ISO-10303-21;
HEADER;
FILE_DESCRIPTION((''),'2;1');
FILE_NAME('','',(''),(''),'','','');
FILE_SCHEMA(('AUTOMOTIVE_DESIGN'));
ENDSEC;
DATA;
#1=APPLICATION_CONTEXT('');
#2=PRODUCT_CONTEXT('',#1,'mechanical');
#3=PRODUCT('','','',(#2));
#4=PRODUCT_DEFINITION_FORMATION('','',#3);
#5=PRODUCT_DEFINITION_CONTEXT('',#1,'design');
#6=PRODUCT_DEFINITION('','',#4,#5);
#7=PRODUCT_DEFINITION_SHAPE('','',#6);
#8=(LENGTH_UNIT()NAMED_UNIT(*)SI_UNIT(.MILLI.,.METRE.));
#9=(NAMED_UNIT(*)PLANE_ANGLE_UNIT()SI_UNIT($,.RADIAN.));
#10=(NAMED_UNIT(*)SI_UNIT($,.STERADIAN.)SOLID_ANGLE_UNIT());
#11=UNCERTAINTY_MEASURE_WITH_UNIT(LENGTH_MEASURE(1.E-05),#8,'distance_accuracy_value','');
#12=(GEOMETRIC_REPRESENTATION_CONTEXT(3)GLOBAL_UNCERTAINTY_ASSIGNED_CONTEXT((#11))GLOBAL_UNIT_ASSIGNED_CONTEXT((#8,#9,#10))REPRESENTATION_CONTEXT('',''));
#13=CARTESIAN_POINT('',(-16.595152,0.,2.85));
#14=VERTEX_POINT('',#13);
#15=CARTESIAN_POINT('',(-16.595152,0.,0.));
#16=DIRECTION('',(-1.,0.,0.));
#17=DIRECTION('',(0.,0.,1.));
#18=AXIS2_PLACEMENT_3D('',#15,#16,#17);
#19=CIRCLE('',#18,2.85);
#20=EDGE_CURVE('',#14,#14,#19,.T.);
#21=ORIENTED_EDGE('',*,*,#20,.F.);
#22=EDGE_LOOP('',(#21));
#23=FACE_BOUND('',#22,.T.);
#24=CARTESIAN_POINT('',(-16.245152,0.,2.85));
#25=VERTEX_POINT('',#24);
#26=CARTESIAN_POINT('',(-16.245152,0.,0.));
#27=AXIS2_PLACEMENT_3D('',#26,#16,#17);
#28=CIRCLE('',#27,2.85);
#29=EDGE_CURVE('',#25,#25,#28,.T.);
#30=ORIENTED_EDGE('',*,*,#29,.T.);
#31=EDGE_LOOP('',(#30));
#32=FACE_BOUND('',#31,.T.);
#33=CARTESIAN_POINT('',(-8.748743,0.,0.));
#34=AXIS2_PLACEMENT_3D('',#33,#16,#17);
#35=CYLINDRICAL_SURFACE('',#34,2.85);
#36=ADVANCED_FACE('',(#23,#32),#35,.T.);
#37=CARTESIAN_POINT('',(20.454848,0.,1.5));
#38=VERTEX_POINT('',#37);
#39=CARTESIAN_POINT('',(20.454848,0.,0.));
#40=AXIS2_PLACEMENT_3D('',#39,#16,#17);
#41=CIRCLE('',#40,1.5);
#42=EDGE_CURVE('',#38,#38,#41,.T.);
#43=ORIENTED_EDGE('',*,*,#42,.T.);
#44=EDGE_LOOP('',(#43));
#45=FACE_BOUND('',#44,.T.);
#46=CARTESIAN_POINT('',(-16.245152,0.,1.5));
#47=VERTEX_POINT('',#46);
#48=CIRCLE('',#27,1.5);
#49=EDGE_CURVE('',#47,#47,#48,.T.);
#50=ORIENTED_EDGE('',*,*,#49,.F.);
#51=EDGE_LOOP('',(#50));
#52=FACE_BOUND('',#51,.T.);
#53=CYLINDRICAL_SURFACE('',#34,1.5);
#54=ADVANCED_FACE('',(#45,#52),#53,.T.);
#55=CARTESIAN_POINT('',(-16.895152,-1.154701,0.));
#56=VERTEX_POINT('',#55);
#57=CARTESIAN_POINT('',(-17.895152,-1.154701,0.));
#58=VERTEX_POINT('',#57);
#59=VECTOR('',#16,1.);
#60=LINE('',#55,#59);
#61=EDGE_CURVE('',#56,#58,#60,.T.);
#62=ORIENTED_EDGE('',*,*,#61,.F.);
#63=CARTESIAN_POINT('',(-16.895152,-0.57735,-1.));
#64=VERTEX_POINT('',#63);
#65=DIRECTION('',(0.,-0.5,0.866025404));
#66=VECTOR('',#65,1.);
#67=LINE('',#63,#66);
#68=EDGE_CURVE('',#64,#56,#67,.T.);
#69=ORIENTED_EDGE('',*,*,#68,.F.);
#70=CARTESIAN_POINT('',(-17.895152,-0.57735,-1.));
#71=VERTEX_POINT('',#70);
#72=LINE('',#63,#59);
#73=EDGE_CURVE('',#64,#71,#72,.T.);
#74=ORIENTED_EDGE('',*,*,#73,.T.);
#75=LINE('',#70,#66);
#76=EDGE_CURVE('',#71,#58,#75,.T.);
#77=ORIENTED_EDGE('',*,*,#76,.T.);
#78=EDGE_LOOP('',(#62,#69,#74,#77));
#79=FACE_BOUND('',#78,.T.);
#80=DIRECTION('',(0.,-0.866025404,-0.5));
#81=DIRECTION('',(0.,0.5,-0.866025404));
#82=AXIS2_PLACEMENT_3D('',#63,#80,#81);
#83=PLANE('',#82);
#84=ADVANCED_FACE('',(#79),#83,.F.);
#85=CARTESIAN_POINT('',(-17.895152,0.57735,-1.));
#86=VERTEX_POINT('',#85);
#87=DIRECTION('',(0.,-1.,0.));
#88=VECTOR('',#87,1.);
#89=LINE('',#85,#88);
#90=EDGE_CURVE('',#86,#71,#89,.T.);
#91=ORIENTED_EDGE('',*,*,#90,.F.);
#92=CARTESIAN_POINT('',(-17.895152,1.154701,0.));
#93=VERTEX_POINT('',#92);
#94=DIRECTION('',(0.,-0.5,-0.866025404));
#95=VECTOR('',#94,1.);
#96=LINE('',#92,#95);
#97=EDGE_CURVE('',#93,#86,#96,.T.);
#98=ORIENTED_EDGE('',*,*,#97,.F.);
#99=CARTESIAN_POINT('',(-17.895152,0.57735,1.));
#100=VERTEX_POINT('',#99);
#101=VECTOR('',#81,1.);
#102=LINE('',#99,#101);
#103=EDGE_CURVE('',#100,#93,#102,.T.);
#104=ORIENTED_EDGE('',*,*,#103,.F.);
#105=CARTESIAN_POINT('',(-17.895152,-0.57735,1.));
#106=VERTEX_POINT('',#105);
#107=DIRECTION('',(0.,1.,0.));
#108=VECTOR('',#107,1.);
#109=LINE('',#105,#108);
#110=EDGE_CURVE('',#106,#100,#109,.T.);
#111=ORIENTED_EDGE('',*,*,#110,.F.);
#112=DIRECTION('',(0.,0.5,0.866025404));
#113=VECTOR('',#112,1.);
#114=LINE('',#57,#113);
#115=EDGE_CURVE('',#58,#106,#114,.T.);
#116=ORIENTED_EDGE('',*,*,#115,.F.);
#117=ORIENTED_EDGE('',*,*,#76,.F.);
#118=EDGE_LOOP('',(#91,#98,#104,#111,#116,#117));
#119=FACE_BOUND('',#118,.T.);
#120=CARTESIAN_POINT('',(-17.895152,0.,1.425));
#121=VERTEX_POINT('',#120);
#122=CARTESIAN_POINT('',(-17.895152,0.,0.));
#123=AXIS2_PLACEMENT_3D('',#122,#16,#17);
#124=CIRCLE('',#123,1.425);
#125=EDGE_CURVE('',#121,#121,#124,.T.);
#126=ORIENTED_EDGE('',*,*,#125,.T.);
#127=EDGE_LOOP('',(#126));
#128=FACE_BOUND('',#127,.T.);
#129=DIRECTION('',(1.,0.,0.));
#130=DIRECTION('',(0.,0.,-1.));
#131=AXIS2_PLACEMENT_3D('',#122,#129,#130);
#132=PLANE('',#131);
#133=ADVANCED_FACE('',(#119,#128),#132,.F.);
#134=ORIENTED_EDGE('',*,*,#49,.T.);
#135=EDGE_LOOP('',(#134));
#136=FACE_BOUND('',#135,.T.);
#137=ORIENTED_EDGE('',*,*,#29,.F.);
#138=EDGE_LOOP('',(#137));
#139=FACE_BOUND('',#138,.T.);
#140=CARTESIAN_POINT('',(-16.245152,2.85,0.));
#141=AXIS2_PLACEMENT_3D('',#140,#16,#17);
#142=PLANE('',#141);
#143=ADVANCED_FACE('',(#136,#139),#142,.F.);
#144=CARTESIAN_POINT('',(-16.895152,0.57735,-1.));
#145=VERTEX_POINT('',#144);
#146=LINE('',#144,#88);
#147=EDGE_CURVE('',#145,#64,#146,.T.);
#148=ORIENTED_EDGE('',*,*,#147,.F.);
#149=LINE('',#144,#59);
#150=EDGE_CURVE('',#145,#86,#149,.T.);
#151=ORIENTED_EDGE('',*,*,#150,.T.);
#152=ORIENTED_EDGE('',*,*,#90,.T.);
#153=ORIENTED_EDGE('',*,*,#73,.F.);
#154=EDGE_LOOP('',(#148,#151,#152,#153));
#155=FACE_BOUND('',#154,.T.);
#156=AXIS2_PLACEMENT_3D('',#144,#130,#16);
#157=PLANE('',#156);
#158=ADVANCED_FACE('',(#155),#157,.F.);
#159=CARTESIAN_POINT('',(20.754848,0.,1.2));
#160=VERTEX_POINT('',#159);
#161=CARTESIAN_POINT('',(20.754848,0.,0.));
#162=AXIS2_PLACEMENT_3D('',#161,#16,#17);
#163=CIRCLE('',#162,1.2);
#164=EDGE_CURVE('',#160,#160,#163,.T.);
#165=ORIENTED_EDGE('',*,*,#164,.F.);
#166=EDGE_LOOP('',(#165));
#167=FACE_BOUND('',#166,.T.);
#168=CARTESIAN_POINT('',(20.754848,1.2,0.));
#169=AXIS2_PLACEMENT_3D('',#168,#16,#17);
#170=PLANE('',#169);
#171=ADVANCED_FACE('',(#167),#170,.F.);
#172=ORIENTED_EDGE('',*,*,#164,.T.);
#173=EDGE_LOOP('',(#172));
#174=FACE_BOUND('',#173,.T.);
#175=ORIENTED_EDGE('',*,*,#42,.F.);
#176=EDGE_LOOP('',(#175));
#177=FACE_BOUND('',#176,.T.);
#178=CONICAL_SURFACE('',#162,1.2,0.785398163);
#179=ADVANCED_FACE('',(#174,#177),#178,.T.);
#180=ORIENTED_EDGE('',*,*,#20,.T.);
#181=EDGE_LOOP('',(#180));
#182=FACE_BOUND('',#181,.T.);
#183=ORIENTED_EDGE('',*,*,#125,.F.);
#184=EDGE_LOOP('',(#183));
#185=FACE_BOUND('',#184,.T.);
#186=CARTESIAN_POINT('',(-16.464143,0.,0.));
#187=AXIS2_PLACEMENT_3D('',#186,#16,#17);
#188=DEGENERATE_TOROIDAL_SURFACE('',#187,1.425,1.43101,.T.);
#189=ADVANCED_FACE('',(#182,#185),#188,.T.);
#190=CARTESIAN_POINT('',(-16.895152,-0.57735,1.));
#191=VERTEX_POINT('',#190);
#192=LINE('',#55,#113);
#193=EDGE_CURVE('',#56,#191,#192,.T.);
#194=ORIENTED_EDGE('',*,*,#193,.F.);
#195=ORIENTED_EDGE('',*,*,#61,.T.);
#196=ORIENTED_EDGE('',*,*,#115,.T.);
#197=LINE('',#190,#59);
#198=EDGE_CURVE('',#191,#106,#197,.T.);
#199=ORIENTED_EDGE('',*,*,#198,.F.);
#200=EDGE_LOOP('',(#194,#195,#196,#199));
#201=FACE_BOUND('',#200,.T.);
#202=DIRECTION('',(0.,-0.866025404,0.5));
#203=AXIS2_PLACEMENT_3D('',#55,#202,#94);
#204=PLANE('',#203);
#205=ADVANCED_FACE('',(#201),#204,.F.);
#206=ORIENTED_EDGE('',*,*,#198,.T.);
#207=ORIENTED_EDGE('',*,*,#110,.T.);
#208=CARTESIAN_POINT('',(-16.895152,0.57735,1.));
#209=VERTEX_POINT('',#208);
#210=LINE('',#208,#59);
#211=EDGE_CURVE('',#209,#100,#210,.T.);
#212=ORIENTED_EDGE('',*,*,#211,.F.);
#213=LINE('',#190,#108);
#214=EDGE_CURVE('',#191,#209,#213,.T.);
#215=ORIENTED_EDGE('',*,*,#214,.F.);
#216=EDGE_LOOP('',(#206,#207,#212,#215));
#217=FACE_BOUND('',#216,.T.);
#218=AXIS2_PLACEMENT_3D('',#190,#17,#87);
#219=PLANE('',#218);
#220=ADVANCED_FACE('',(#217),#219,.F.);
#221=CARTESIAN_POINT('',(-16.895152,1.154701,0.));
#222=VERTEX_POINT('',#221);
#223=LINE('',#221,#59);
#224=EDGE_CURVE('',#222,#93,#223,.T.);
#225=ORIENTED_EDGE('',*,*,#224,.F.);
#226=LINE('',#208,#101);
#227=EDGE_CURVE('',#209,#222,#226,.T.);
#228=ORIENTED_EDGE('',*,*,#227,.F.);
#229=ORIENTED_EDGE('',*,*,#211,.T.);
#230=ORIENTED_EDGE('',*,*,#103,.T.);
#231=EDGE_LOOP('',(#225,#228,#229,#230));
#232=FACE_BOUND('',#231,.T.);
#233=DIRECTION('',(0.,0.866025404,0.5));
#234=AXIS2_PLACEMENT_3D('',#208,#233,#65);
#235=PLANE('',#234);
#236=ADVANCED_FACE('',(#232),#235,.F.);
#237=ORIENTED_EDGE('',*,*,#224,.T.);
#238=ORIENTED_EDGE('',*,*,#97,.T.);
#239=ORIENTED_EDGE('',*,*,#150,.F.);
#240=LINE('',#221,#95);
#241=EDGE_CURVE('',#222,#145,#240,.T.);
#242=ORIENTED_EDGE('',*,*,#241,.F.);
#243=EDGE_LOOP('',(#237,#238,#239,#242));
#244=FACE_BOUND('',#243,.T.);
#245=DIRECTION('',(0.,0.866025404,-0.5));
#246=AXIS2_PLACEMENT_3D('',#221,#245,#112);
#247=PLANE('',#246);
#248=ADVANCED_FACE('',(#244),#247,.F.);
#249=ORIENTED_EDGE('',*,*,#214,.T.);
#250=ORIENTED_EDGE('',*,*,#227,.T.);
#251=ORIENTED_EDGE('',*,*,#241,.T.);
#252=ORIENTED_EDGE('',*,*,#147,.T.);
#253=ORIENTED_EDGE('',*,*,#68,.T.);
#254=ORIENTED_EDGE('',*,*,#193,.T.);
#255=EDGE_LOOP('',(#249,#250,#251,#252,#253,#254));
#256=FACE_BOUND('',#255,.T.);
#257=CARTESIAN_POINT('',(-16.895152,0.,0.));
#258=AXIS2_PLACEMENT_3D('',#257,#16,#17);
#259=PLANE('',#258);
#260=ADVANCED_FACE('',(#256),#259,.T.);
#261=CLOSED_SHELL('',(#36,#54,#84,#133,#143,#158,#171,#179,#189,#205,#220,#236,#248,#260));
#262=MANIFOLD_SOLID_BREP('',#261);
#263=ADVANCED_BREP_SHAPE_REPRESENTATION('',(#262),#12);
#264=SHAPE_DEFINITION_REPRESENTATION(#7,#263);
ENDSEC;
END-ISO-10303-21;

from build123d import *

# Parameters (mm, degrees)
KES_EKSTR_ZYON1_DEPTH = 1


with BuildPart() as part:
    # Çizim1 → Döndür1 (revolve)
    with BuildSketch(Plane.XY, mode=Mode.PRIVATE) as d_nd_r1_sk:
        with BuildLine():
            Line((-17.895152368, 0), (-17.895152368, 1.425))
            ThreePointArc((-17.895152368, 1.425), (-17.521324038, 2.389446085), (-16.595152368, 2.85))
            Line((-16.595152368, 2.85), (-16.245152368, 2.85))
            Line((-16.245152368, 2.85), (-16.245152368, 1.5))
            Line((-16.245152368, 1.5), (20.454847632, 1.5))
            Line((20.454847632, 1.5), (20.754847632, 1.2))
            Line((20.754847632, 1.2), (20.754847632, 0))
            Line((20.754847632, 0), (-17.895152368, 0))
        make_face()
    revolve(d_nd_r1_sk.sketch.rotate(Axis((-8.74874301, 0, 0), (1, 0, 0)), 90), axis=Axis((-8.74874301, 0, 0), (1, 0, 0)))

    # Çizim2 → Kes-Ekstrüzyon1 (cut)
    with BuildSketch(Plane.ZY.offset(17.895152368)):
        Polygon((0, 1.154700538), (-1, 0.577350269), (-1, -0.577350269), (0, -1.154700538), (1, -0.577350269), (1, 0.577350269), align=None)
    extrude(amount=-KES_EKSTR_ZYON1_DEPTH, mode=Mode.SUBTRACT)


solid = part.part
